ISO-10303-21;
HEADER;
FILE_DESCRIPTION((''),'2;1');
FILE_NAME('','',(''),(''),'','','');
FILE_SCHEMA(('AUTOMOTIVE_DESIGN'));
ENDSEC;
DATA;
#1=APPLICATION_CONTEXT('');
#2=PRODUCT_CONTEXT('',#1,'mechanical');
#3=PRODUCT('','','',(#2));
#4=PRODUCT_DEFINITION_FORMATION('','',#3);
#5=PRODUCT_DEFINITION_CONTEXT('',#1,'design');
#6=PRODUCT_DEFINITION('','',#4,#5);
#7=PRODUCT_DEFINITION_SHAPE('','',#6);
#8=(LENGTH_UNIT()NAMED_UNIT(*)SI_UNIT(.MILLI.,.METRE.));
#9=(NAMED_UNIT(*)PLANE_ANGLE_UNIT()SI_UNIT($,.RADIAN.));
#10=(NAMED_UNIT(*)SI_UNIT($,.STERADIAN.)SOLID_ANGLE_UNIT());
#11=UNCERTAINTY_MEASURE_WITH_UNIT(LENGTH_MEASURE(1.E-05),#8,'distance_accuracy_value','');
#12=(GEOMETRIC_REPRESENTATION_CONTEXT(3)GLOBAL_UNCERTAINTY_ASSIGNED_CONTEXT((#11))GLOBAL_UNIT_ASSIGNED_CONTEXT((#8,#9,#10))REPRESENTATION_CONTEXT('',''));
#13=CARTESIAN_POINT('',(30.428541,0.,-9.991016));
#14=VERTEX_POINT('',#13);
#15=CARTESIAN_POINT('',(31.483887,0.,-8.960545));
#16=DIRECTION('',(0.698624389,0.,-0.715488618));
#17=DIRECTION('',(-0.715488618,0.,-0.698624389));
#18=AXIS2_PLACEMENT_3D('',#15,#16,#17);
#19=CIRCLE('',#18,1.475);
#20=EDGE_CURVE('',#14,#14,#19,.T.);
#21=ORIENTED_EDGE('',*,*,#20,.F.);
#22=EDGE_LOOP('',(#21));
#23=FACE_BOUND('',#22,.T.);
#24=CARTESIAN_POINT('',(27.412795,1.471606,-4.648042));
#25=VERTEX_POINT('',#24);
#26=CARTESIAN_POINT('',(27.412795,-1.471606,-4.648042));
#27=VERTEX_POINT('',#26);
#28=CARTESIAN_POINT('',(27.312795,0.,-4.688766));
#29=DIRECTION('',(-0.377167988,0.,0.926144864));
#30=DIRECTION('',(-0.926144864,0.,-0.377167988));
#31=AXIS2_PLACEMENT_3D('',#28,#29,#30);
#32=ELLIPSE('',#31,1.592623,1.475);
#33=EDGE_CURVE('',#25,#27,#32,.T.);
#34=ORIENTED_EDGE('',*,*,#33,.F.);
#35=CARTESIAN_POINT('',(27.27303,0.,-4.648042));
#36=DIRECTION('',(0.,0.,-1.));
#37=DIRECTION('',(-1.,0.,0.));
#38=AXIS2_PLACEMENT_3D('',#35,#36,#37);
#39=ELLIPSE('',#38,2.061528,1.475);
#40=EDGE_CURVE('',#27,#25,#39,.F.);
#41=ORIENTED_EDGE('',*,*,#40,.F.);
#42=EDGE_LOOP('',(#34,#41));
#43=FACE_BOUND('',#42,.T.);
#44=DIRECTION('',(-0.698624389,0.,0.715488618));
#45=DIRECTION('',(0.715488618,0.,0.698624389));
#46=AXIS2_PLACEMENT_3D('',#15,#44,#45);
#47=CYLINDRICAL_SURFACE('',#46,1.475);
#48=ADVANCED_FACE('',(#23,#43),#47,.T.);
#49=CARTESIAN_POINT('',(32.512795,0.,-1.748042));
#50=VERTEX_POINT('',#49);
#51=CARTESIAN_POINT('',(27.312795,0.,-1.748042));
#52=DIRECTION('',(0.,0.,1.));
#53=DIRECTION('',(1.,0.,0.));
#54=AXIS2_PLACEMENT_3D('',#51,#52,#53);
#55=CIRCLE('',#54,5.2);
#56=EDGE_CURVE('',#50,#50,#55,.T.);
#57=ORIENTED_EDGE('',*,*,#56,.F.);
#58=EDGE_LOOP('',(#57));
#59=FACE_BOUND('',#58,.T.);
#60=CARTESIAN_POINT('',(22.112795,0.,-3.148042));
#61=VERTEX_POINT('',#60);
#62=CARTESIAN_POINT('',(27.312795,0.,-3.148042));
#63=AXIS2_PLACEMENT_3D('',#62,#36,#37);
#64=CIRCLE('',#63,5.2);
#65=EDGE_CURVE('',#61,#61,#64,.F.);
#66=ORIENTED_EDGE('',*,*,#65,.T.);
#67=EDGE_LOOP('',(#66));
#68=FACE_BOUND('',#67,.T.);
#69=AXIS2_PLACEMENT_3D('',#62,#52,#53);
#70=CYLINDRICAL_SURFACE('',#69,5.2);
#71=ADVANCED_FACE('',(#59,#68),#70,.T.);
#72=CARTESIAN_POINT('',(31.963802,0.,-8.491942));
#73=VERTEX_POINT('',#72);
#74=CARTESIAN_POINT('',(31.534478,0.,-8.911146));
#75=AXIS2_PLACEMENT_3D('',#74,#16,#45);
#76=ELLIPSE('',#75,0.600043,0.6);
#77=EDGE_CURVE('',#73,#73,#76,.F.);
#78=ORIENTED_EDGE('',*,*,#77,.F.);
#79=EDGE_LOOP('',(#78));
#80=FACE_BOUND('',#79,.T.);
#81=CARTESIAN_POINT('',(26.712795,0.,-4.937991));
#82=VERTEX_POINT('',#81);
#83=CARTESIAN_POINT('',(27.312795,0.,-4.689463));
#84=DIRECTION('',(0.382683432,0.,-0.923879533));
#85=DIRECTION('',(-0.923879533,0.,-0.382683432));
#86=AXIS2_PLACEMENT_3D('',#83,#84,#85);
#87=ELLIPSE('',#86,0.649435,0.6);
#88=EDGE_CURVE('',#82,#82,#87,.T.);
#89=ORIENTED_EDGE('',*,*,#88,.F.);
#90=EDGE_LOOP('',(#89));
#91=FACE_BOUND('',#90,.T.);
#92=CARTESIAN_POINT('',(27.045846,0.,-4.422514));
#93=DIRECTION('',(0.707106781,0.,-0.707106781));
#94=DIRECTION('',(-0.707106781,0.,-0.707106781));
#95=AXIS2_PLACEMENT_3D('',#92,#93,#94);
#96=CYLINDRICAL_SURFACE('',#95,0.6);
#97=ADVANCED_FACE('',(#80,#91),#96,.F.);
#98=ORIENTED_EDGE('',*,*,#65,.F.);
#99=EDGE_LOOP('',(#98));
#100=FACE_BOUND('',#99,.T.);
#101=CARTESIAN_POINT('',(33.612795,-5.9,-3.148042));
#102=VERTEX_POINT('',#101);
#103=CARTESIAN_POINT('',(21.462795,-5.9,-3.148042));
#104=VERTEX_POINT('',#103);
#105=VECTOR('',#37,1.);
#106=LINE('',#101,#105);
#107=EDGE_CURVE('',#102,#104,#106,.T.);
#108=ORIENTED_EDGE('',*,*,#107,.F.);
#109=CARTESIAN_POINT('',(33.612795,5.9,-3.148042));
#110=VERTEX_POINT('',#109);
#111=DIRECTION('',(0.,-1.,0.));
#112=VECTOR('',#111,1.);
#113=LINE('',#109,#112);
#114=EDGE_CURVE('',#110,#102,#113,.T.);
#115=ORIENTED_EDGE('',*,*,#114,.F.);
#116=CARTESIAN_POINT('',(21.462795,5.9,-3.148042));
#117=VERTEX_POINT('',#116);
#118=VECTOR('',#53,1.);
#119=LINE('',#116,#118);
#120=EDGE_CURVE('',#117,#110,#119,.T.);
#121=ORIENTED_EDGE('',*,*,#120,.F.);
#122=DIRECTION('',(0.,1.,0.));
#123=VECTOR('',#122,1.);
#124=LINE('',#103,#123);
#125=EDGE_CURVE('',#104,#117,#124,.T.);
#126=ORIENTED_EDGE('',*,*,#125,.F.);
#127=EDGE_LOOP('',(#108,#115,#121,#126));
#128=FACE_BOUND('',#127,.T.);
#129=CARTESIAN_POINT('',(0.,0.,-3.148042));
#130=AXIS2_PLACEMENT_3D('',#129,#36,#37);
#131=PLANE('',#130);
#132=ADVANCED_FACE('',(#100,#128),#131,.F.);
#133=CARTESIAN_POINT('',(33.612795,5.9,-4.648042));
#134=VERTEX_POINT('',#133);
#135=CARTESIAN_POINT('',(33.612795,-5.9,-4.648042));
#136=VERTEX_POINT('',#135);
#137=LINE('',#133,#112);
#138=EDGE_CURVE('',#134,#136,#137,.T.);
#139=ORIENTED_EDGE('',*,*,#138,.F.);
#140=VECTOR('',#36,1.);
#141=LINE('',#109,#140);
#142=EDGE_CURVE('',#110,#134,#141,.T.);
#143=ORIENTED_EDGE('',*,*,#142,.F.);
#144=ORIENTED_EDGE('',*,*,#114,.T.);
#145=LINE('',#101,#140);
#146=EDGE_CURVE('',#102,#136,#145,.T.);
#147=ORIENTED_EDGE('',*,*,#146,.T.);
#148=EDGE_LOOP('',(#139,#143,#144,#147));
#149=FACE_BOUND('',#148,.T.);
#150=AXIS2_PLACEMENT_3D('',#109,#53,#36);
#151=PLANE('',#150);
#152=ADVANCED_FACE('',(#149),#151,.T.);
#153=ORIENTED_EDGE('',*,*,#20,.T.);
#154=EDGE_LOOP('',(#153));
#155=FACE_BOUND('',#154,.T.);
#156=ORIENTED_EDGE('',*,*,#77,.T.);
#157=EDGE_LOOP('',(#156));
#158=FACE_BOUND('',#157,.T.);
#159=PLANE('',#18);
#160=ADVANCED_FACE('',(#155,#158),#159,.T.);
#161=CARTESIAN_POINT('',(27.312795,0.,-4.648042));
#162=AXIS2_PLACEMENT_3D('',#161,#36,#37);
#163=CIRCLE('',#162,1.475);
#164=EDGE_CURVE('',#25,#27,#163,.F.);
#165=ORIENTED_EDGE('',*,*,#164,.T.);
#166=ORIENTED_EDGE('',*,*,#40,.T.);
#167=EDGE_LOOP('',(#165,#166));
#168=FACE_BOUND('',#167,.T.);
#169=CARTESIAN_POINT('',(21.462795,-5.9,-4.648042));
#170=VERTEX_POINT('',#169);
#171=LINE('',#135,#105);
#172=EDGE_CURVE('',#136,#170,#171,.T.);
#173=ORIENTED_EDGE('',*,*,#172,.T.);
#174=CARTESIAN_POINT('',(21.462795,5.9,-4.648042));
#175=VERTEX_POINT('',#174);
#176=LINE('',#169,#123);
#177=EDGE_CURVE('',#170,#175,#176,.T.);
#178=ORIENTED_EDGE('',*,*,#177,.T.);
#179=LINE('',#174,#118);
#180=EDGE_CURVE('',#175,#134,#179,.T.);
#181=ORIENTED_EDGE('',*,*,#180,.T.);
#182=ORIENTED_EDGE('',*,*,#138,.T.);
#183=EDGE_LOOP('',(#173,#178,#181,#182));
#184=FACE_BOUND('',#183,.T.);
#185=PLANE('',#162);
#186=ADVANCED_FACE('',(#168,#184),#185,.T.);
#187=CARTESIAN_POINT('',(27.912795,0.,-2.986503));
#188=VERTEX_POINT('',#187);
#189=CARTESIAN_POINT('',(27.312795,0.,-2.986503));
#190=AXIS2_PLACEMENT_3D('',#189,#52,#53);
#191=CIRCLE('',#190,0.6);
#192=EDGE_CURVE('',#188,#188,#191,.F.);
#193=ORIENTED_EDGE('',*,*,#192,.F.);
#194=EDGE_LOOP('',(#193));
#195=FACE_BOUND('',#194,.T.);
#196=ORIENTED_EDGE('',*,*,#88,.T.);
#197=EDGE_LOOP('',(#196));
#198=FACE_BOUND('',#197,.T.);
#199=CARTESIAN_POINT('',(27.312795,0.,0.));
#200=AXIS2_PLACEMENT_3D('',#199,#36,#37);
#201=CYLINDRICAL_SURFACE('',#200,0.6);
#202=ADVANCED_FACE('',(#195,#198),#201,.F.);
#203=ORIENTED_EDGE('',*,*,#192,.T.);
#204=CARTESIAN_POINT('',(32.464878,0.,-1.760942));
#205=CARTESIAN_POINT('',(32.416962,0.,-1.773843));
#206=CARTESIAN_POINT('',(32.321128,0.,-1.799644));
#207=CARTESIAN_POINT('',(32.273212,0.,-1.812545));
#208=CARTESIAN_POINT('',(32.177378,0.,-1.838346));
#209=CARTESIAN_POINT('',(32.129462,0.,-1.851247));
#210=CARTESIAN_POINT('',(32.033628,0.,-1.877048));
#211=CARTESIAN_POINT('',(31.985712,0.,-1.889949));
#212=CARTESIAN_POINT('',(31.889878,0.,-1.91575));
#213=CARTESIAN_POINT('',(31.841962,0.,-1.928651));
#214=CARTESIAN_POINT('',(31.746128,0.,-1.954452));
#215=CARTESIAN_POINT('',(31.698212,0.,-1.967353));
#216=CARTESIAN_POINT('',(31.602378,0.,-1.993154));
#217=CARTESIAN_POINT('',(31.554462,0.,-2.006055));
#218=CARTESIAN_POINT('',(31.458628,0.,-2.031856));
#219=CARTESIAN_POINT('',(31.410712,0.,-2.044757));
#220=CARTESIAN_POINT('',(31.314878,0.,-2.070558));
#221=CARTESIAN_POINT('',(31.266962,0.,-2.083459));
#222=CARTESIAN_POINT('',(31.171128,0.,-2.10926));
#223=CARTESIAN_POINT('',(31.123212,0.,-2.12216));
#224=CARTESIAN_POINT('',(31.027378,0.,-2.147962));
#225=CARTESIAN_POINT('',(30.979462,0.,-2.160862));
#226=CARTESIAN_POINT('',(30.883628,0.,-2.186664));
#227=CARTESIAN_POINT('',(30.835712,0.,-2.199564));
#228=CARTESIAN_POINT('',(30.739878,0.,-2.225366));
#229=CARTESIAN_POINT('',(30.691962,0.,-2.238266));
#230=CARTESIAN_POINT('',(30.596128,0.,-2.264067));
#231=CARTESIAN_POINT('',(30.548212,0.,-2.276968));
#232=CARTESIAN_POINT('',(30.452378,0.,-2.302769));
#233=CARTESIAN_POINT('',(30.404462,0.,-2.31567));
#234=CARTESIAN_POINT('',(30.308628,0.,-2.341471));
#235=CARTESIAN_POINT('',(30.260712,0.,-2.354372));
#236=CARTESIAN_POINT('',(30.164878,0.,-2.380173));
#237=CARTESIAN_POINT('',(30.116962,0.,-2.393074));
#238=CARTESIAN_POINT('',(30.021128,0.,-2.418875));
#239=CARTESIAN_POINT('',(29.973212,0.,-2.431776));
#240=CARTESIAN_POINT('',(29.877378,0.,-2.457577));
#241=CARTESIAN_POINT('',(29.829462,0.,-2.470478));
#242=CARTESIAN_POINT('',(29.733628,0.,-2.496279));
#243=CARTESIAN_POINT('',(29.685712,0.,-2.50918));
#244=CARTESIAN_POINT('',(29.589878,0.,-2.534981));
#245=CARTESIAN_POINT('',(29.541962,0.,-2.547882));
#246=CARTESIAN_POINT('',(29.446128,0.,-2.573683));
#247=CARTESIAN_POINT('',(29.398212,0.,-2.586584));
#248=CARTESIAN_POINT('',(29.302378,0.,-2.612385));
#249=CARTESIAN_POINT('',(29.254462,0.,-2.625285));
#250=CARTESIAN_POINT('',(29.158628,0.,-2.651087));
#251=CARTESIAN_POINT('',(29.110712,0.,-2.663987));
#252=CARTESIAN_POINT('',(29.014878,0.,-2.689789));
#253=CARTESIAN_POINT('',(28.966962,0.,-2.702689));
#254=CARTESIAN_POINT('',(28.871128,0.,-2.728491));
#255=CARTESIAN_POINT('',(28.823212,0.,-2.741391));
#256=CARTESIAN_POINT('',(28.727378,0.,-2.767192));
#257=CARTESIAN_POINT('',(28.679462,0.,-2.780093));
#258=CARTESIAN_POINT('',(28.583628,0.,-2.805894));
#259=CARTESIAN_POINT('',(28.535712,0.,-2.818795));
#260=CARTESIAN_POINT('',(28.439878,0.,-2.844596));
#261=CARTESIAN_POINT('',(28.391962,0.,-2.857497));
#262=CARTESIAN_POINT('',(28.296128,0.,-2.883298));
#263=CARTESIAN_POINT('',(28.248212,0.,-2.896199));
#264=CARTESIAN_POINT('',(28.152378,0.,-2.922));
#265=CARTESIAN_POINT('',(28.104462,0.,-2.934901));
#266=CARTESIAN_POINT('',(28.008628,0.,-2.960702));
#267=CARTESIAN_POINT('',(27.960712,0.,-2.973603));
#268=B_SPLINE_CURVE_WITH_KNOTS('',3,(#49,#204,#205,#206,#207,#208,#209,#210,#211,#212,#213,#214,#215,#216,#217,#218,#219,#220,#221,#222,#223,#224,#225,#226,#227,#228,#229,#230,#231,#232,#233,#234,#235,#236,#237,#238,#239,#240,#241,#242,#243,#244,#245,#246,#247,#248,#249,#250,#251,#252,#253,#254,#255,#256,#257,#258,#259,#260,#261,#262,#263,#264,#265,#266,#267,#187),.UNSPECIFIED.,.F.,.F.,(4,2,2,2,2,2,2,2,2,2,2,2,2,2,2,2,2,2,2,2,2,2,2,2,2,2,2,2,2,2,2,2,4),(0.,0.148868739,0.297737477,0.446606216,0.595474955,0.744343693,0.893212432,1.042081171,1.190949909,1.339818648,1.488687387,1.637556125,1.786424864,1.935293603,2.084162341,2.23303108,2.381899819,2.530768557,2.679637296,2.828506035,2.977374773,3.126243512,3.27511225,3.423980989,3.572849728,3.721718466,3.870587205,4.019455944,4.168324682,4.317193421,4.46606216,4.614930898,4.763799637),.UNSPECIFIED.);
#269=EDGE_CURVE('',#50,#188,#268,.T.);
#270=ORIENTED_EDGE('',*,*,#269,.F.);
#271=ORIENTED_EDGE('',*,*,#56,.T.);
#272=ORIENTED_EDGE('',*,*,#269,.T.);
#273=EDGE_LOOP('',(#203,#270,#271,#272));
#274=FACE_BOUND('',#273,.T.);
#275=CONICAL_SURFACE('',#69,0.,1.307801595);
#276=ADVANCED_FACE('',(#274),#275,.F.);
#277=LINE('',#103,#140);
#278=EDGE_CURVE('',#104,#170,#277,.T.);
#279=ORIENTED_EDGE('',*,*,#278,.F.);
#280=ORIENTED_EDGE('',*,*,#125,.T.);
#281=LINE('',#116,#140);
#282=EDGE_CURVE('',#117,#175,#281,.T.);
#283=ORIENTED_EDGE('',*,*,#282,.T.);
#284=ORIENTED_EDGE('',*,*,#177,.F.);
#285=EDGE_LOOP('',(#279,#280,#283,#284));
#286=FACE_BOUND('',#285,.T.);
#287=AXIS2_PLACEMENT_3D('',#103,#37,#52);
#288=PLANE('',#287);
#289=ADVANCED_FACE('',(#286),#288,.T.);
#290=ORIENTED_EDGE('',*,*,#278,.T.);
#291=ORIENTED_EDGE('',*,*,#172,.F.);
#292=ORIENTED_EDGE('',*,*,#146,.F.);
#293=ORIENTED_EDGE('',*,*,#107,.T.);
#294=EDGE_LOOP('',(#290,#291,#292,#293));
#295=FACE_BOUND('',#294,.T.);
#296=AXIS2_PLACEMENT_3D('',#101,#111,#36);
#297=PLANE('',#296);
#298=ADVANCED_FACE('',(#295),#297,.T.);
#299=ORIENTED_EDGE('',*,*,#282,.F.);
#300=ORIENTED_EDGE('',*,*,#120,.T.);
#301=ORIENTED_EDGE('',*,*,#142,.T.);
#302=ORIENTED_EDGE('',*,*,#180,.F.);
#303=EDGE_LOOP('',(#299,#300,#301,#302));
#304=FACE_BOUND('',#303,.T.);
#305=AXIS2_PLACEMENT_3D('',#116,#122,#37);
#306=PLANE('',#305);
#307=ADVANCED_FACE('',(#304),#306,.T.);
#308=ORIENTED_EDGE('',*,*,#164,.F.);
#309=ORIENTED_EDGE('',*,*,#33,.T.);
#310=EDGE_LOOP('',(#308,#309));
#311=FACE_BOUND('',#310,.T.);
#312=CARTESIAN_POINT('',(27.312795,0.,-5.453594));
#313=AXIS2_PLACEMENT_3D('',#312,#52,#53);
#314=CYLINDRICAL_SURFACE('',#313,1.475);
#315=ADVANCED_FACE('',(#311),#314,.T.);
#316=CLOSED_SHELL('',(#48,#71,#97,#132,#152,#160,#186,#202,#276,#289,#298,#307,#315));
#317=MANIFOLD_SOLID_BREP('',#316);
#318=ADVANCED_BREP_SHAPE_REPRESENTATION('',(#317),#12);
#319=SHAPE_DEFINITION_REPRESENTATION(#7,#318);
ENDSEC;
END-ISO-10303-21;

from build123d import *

# Parameters (mm, degrees)
SKETCH7_R           = 1.475
SKETCH10_W          = 12.15
SKETCH10_H          = 11.8
BOSS_EXTRUDE1_DEPTH = 1.5
SKETCH5_R           = 0.6


with BuildPart() as part:
    # Sketch1 → Revolve1 (revolve)
    with BuildSketch(Plane(origin=(0, 0, 0), x_dir=(1, 0, 0), z_dir=(0, 1, 0))):
        Polygon((27.31279509, 4.648041847), (32.51279509, 4.648041847), (32.51279509, 1.748041847), (27.31279509, 3.148041847), align=None)
    revolve(axis=Axis((27.31279509, 0, -3.148041847), (0, 0, -1)))

    # Sweep2: sweep along a path in Sketch8
    with BuildLine(Plane(origin=(0, 0, 0), x_dir=(1, 0, 0), z_dir=(0, 1, 0))) as sweep2_path:
        Line((31.555435777, 8.890682534), (27.41279509, 4.648041847))
        Line((27.41279509, 4.648041847), (27.41279509, 3.648041847))
    # Sketch7 → Sweep2 (sweep)
    with BuildSketch(Plane(origin=(0, 0, -4.648041847), x_dir=(-1, 0, 0), z_dir=(0, 0, -1))):
        with Locations((-27.31279509, 0)):
            Circle(SKETCH7_R)
    sweep(path=sweep2_path.line, transition=Transition.RIGHT)

    # Sketch10 → Boss-Extrude1 (add)
    with BuildSketch(Plane(origin=(0, 0, -4.648041847), x_dir=(-1, 0, 0), z_dir=(0, 0, -1))):
        with Locations((-27.53779509, 0)):
            Rectangle(SKETCH10_W, SKETCH10_H)
    extrude(amount=-BOSS_EXTRUDE1_DEPTH)

    # Cut-Sweep2: sweep along a path in Sketch9
    with BuildLine(Plane(origin=(0, 0, 0), x_dir=(1, 0, 0), z_dir=(0, 1, 0))) as cut_sweep2_path:
        Line((27.41279509, 0), (27.41279509, 4.648041847))
        Line((27.41279509, 4.648041847), (31.655435777, 8.890682534))
    # Sketch5 → Cut-Sweep2 (sweep, cut)
    with BuildSketch(Plane.XY):
        with Locations((27.31279509, 0)):
            Circle(SKETCH5_R)
    sweep(path=cut_sweep2_path.line, transition=Transition.RIGHT, mode=Mode.SUBTRACT)


solid = part.part
